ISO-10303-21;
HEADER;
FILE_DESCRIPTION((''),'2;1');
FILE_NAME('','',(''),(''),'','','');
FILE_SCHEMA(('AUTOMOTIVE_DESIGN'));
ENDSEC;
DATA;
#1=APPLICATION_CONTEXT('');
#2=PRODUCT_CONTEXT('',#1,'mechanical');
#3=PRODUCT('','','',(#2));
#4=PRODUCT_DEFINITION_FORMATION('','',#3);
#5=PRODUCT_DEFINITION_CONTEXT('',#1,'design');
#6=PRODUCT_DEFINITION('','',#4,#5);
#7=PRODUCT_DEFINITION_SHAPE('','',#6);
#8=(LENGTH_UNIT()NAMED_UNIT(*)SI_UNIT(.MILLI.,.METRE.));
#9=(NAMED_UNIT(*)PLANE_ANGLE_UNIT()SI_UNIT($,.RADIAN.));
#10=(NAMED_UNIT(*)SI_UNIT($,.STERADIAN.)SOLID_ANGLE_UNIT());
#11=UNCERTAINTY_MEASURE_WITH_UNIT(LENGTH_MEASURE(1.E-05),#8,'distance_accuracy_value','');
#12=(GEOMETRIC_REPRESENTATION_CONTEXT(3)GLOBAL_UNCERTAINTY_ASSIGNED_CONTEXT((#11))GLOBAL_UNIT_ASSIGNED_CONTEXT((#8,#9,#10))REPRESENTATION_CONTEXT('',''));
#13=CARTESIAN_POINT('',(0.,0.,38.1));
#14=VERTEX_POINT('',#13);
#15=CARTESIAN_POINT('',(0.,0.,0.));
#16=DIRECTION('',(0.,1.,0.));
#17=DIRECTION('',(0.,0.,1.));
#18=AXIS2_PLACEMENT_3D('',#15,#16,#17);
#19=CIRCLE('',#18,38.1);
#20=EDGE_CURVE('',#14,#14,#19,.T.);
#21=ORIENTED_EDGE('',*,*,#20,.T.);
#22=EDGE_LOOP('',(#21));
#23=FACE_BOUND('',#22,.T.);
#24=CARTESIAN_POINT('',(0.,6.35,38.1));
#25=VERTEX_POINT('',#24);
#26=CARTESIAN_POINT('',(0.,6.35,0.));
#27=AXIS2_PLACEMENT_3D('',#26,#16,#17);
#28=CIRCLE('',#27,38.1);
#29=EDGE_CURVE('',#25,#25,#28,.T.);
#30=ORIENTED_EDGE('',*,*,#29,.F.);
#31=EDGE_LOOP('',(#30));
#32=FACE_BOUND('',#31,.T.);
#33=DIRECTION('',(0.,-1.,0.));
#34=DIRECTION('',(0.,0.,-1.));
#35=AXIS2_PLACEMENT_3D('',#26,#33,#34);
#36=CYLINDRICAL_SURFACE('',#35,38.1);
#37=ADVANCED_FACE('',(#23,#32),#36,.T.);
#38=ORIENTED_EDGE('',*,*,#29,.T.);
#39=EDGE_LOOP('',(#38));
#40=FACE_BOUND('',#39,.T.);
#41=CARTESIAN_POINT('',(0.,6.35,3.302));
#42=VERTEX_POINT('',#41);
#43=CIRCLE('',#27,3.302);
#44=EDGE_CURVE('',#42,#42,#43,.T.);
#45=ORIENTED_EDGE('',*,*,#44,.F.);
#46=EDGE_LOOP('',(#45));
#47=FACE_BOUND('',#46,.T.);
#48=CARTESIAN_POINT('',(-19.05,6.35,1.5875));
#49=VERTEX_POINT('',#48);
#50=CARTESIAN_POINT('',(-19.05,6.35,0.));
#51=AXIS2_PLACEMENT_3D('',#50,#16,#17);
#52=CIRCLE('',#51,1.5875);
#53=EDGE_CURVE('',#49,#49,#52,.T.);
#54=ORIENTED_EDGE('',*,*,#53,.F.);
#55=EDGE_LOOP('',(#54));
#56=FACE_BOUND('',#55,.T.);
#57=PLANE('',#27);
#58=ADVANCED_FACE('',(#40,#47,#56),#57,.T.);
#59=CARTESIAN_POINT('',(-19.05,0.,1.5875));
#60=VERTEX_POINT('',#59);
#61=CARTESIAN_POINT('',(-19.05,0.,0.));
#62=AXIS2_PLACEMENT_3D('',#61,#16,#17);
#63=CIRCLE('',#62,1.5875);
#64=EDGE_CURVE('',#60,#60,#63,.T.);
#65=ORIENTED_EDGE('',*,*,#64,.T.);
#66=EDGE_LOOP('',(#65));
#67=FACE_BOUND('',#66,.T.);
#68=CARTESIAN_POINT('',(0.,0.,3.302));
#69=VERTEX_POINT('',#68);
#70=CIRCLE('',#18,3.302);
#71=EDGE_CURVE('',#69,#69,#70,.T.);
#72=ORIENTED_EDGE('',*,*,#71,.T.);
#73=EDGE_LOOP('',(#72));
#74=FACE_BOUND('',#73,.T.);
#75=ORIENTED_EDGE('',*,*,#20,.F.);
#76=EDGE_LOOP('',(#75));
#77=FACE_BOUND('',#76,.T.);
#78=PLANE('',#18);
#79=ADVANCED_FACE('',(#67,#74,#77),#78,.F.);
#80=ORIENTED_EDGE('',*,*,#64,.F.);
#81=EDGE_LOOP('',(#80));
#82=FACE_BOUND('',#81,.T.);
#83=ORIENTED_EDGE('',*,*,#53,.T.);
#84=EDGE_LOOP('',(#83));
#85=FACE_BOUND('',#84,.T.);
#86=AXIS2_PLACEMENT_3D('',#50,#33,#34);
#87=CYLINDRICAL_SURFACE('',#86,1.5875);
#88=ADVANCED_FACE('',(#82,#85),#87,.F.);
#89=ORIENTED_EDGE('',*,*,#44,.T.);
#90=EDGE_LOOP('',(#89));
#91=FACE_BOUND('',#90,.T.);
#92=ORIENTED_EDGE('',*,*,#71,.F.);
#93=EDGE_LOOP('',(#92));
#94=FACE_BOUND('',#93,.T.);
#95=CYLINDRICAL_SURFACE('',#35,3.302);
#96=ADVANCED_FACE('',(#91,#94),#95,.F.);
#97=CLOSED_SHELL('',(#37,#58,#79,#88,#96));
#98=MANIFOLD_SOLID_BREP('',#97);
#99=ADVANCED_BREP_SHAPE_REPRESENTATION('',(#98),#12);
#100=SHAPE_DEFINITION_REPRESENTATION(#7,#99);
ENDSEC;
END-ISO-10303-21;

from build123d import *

# Parameters (mm, degrees)
SKETCH1_R           = 38.1
SKETCH1_R_2         = 3.302
SKETCH1_R_3         = 1.5875
BOSS_EXTRUDE1_DEPTH = 6.35


with BuildPart() as part:
    # Sketch1 → Boss-Extrude1 (new body)
    with BuildSketch(Plane(origin=(0, 0, 0), x_dir=(1, 0, 0), z_dir=(0, 1, 0))):
        Circle(SKETCH1_R)
        Circle(SKETCH1_R_2, mode=Mode.SUBTRACT)
        with Locations((-19.05, 0)):
            Circle(SKETCH1_R_3, mode=Mode.SUBTRACT)
    extrude(amount=BOSS_EXTRUDE1_DEPTH)


solid = part.part
